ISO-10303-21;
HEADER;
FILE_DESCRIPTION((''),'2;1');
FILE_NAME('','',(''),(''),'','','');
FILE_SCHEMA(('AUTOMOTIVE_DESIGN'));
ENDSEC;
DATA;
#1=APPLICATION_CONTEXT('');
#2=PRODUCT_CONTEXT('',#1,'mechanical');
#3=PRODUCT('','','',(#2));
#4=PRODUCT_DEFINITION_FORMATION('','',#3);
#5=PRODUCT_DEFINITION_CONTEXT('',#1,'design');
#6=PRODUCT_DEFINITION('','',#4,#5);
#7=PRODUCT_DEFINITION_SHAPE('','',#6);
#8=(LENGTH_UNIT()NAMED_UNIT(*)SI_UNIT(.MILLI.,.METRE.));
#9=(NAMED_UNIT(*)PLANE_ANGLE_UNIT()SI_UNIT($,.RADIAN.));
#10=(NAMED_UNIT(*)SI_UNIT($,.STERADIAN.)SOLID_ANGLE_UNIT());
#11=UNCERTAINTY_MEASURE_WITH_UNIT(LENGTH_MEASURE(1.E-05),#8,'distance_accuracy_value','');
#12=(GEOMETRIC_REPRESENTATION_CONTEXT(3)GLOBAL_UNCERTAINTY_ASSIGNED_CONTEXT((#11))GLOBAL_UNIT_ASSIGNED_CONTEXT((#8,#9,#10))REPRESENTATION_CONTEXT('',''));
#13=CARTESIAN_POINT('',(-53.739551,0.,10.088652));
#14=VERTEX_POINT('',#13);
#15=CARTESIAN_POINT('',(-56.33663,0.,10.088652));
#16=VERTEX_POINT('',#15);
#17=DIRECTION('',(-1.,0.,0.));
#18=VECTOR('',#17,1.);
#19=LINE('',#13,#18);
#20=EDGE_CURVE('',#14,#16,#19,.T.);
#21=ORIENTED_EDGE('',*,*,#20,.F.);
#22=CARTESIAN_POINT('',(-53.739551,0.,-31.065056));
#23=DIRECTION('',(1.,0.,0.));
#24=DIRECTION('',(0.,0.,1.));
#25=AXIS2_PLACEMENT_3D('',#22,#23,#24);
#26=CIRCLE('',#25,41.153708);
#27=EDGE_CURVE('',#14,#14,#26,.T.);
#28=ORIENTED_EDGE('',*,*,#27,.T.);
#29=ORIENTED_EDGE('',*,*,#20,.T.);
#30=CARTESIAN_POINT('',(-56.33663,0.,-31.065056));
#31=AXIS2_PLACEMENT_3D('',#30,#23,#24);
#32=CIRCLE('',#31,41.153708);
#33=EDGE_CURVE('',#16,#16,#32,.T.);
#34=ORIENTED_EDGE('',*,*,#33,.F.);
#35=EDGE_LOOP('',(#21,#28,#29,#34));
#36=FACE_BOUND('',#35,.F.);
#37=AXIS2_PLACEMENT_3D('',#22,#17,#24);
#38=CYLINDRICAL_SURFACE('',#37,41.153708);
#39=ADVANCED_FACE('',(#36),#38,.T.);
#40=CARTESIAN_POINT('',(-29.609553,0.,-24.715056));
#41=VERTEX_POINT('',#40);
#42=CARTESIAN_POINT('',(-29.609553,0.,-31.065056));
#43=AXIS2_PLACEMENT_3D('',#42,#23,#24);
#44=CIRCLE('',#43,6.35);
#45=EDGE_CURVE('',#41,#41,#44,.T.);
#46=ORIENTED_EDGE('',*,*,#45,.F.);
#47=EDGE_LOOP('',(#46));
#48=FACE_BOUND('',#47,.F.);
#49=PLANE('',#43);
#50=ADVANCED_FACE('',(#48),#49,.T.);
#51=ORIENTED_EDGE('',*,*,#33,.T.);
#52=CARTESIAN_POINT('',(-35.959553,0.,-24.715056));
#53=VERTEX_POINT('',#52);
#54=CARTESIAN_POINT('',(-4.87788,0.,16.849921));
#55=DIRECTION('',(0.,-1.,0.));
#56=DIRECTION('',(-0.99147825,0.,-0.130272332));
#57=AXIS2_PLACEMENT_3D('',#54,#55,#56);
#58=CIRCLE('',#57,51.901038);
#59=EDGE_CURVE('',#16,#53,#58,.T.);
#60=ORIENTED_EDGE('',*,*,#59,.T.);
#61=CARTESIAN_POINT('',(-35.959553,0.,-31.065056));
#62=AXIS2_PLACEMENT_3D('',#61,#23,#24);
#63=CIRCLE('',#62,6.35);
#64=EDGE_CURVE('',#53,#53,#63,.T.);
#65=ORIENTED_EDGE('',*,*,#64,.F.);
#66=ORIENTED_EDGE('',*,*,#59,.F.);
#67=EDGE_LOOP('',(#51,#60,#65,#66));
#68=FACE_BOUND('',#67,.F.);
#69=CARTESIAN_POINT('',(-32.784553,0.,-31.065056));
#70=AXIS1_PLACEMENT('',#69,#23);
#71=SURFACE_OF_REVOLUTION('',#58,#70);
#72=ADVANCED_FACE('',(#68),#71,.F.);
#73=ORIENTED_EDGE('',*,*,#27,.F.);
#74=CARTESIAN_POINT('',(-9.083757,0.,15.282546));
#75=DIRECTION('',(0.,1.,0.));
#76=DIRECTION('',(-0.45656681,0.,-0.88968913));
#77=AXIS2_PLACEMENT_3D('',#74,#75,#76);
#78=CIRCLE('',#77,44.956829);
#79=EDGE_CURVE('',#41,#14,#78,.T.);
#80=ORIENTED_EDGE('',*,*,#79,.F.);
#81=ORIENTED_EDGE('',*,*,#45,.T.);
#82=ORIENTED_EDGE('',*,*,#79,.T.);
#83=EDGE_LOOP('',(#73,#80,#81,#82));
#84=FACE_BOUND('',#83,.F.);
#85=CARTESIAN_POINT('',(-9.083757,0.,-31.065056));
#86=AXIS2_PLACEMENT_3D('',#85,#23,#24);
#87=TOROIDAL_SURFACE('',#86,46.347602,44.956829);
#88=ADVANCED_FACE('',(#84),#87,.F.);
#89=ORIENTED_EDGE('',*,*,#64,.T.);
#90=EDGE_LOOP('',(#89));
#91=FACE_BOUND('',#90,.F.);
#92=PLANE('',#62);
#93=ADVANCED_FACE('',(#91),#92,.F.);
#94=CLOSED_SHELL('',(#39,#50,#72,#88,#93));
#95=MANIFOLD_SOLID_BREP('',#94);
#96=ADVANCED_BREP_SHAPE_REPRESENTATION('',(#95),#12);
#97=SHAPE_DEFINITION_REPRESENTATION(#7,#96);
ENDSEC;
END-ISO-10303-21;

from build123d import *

# Parameters (mm, degrees)
F2_R     = 6.371783
F3_DEPTH = 25.4


with BuildPart() as f1:
    # F0 (on Front) → F1 (revolve)
    with BuildSketch(Plane.XZ):
        with BuildLine():
            Line((-35.959553, -24.715056), (-35.959553, -31.065056))
            Line((-35.959553, -31.065056), (-29.609553, -31.065056))
            Line((-29.609553, -31.065056), (-29.609553, -24.715056))
            ThreePointArc((-29.609553, -24.715056), (-46.029453, -10.332528), (-53.739551, 10.088652))
            Line((-53.739551, 10.088652), (-56.33663, 10.088652))
            ThreePointArc((-56.33663, 10.088652), (-49.666884, -9.373405), (-35.959553, -24.715056))
        make_face()
    revolve(axis=Axis((-32.784553, 0, -31.065056), (1, 0, 0)))

    # F2 (on Right) → F3 (cut)
    with BuildSketch(Plane.YZ):
        with Locations((-2.137947, -28.209075)):
            Circle(F2_R)
    extrude(amount=-F3_DEPTH, mode=Mode.SUBTRACT)


solid = f1.part
